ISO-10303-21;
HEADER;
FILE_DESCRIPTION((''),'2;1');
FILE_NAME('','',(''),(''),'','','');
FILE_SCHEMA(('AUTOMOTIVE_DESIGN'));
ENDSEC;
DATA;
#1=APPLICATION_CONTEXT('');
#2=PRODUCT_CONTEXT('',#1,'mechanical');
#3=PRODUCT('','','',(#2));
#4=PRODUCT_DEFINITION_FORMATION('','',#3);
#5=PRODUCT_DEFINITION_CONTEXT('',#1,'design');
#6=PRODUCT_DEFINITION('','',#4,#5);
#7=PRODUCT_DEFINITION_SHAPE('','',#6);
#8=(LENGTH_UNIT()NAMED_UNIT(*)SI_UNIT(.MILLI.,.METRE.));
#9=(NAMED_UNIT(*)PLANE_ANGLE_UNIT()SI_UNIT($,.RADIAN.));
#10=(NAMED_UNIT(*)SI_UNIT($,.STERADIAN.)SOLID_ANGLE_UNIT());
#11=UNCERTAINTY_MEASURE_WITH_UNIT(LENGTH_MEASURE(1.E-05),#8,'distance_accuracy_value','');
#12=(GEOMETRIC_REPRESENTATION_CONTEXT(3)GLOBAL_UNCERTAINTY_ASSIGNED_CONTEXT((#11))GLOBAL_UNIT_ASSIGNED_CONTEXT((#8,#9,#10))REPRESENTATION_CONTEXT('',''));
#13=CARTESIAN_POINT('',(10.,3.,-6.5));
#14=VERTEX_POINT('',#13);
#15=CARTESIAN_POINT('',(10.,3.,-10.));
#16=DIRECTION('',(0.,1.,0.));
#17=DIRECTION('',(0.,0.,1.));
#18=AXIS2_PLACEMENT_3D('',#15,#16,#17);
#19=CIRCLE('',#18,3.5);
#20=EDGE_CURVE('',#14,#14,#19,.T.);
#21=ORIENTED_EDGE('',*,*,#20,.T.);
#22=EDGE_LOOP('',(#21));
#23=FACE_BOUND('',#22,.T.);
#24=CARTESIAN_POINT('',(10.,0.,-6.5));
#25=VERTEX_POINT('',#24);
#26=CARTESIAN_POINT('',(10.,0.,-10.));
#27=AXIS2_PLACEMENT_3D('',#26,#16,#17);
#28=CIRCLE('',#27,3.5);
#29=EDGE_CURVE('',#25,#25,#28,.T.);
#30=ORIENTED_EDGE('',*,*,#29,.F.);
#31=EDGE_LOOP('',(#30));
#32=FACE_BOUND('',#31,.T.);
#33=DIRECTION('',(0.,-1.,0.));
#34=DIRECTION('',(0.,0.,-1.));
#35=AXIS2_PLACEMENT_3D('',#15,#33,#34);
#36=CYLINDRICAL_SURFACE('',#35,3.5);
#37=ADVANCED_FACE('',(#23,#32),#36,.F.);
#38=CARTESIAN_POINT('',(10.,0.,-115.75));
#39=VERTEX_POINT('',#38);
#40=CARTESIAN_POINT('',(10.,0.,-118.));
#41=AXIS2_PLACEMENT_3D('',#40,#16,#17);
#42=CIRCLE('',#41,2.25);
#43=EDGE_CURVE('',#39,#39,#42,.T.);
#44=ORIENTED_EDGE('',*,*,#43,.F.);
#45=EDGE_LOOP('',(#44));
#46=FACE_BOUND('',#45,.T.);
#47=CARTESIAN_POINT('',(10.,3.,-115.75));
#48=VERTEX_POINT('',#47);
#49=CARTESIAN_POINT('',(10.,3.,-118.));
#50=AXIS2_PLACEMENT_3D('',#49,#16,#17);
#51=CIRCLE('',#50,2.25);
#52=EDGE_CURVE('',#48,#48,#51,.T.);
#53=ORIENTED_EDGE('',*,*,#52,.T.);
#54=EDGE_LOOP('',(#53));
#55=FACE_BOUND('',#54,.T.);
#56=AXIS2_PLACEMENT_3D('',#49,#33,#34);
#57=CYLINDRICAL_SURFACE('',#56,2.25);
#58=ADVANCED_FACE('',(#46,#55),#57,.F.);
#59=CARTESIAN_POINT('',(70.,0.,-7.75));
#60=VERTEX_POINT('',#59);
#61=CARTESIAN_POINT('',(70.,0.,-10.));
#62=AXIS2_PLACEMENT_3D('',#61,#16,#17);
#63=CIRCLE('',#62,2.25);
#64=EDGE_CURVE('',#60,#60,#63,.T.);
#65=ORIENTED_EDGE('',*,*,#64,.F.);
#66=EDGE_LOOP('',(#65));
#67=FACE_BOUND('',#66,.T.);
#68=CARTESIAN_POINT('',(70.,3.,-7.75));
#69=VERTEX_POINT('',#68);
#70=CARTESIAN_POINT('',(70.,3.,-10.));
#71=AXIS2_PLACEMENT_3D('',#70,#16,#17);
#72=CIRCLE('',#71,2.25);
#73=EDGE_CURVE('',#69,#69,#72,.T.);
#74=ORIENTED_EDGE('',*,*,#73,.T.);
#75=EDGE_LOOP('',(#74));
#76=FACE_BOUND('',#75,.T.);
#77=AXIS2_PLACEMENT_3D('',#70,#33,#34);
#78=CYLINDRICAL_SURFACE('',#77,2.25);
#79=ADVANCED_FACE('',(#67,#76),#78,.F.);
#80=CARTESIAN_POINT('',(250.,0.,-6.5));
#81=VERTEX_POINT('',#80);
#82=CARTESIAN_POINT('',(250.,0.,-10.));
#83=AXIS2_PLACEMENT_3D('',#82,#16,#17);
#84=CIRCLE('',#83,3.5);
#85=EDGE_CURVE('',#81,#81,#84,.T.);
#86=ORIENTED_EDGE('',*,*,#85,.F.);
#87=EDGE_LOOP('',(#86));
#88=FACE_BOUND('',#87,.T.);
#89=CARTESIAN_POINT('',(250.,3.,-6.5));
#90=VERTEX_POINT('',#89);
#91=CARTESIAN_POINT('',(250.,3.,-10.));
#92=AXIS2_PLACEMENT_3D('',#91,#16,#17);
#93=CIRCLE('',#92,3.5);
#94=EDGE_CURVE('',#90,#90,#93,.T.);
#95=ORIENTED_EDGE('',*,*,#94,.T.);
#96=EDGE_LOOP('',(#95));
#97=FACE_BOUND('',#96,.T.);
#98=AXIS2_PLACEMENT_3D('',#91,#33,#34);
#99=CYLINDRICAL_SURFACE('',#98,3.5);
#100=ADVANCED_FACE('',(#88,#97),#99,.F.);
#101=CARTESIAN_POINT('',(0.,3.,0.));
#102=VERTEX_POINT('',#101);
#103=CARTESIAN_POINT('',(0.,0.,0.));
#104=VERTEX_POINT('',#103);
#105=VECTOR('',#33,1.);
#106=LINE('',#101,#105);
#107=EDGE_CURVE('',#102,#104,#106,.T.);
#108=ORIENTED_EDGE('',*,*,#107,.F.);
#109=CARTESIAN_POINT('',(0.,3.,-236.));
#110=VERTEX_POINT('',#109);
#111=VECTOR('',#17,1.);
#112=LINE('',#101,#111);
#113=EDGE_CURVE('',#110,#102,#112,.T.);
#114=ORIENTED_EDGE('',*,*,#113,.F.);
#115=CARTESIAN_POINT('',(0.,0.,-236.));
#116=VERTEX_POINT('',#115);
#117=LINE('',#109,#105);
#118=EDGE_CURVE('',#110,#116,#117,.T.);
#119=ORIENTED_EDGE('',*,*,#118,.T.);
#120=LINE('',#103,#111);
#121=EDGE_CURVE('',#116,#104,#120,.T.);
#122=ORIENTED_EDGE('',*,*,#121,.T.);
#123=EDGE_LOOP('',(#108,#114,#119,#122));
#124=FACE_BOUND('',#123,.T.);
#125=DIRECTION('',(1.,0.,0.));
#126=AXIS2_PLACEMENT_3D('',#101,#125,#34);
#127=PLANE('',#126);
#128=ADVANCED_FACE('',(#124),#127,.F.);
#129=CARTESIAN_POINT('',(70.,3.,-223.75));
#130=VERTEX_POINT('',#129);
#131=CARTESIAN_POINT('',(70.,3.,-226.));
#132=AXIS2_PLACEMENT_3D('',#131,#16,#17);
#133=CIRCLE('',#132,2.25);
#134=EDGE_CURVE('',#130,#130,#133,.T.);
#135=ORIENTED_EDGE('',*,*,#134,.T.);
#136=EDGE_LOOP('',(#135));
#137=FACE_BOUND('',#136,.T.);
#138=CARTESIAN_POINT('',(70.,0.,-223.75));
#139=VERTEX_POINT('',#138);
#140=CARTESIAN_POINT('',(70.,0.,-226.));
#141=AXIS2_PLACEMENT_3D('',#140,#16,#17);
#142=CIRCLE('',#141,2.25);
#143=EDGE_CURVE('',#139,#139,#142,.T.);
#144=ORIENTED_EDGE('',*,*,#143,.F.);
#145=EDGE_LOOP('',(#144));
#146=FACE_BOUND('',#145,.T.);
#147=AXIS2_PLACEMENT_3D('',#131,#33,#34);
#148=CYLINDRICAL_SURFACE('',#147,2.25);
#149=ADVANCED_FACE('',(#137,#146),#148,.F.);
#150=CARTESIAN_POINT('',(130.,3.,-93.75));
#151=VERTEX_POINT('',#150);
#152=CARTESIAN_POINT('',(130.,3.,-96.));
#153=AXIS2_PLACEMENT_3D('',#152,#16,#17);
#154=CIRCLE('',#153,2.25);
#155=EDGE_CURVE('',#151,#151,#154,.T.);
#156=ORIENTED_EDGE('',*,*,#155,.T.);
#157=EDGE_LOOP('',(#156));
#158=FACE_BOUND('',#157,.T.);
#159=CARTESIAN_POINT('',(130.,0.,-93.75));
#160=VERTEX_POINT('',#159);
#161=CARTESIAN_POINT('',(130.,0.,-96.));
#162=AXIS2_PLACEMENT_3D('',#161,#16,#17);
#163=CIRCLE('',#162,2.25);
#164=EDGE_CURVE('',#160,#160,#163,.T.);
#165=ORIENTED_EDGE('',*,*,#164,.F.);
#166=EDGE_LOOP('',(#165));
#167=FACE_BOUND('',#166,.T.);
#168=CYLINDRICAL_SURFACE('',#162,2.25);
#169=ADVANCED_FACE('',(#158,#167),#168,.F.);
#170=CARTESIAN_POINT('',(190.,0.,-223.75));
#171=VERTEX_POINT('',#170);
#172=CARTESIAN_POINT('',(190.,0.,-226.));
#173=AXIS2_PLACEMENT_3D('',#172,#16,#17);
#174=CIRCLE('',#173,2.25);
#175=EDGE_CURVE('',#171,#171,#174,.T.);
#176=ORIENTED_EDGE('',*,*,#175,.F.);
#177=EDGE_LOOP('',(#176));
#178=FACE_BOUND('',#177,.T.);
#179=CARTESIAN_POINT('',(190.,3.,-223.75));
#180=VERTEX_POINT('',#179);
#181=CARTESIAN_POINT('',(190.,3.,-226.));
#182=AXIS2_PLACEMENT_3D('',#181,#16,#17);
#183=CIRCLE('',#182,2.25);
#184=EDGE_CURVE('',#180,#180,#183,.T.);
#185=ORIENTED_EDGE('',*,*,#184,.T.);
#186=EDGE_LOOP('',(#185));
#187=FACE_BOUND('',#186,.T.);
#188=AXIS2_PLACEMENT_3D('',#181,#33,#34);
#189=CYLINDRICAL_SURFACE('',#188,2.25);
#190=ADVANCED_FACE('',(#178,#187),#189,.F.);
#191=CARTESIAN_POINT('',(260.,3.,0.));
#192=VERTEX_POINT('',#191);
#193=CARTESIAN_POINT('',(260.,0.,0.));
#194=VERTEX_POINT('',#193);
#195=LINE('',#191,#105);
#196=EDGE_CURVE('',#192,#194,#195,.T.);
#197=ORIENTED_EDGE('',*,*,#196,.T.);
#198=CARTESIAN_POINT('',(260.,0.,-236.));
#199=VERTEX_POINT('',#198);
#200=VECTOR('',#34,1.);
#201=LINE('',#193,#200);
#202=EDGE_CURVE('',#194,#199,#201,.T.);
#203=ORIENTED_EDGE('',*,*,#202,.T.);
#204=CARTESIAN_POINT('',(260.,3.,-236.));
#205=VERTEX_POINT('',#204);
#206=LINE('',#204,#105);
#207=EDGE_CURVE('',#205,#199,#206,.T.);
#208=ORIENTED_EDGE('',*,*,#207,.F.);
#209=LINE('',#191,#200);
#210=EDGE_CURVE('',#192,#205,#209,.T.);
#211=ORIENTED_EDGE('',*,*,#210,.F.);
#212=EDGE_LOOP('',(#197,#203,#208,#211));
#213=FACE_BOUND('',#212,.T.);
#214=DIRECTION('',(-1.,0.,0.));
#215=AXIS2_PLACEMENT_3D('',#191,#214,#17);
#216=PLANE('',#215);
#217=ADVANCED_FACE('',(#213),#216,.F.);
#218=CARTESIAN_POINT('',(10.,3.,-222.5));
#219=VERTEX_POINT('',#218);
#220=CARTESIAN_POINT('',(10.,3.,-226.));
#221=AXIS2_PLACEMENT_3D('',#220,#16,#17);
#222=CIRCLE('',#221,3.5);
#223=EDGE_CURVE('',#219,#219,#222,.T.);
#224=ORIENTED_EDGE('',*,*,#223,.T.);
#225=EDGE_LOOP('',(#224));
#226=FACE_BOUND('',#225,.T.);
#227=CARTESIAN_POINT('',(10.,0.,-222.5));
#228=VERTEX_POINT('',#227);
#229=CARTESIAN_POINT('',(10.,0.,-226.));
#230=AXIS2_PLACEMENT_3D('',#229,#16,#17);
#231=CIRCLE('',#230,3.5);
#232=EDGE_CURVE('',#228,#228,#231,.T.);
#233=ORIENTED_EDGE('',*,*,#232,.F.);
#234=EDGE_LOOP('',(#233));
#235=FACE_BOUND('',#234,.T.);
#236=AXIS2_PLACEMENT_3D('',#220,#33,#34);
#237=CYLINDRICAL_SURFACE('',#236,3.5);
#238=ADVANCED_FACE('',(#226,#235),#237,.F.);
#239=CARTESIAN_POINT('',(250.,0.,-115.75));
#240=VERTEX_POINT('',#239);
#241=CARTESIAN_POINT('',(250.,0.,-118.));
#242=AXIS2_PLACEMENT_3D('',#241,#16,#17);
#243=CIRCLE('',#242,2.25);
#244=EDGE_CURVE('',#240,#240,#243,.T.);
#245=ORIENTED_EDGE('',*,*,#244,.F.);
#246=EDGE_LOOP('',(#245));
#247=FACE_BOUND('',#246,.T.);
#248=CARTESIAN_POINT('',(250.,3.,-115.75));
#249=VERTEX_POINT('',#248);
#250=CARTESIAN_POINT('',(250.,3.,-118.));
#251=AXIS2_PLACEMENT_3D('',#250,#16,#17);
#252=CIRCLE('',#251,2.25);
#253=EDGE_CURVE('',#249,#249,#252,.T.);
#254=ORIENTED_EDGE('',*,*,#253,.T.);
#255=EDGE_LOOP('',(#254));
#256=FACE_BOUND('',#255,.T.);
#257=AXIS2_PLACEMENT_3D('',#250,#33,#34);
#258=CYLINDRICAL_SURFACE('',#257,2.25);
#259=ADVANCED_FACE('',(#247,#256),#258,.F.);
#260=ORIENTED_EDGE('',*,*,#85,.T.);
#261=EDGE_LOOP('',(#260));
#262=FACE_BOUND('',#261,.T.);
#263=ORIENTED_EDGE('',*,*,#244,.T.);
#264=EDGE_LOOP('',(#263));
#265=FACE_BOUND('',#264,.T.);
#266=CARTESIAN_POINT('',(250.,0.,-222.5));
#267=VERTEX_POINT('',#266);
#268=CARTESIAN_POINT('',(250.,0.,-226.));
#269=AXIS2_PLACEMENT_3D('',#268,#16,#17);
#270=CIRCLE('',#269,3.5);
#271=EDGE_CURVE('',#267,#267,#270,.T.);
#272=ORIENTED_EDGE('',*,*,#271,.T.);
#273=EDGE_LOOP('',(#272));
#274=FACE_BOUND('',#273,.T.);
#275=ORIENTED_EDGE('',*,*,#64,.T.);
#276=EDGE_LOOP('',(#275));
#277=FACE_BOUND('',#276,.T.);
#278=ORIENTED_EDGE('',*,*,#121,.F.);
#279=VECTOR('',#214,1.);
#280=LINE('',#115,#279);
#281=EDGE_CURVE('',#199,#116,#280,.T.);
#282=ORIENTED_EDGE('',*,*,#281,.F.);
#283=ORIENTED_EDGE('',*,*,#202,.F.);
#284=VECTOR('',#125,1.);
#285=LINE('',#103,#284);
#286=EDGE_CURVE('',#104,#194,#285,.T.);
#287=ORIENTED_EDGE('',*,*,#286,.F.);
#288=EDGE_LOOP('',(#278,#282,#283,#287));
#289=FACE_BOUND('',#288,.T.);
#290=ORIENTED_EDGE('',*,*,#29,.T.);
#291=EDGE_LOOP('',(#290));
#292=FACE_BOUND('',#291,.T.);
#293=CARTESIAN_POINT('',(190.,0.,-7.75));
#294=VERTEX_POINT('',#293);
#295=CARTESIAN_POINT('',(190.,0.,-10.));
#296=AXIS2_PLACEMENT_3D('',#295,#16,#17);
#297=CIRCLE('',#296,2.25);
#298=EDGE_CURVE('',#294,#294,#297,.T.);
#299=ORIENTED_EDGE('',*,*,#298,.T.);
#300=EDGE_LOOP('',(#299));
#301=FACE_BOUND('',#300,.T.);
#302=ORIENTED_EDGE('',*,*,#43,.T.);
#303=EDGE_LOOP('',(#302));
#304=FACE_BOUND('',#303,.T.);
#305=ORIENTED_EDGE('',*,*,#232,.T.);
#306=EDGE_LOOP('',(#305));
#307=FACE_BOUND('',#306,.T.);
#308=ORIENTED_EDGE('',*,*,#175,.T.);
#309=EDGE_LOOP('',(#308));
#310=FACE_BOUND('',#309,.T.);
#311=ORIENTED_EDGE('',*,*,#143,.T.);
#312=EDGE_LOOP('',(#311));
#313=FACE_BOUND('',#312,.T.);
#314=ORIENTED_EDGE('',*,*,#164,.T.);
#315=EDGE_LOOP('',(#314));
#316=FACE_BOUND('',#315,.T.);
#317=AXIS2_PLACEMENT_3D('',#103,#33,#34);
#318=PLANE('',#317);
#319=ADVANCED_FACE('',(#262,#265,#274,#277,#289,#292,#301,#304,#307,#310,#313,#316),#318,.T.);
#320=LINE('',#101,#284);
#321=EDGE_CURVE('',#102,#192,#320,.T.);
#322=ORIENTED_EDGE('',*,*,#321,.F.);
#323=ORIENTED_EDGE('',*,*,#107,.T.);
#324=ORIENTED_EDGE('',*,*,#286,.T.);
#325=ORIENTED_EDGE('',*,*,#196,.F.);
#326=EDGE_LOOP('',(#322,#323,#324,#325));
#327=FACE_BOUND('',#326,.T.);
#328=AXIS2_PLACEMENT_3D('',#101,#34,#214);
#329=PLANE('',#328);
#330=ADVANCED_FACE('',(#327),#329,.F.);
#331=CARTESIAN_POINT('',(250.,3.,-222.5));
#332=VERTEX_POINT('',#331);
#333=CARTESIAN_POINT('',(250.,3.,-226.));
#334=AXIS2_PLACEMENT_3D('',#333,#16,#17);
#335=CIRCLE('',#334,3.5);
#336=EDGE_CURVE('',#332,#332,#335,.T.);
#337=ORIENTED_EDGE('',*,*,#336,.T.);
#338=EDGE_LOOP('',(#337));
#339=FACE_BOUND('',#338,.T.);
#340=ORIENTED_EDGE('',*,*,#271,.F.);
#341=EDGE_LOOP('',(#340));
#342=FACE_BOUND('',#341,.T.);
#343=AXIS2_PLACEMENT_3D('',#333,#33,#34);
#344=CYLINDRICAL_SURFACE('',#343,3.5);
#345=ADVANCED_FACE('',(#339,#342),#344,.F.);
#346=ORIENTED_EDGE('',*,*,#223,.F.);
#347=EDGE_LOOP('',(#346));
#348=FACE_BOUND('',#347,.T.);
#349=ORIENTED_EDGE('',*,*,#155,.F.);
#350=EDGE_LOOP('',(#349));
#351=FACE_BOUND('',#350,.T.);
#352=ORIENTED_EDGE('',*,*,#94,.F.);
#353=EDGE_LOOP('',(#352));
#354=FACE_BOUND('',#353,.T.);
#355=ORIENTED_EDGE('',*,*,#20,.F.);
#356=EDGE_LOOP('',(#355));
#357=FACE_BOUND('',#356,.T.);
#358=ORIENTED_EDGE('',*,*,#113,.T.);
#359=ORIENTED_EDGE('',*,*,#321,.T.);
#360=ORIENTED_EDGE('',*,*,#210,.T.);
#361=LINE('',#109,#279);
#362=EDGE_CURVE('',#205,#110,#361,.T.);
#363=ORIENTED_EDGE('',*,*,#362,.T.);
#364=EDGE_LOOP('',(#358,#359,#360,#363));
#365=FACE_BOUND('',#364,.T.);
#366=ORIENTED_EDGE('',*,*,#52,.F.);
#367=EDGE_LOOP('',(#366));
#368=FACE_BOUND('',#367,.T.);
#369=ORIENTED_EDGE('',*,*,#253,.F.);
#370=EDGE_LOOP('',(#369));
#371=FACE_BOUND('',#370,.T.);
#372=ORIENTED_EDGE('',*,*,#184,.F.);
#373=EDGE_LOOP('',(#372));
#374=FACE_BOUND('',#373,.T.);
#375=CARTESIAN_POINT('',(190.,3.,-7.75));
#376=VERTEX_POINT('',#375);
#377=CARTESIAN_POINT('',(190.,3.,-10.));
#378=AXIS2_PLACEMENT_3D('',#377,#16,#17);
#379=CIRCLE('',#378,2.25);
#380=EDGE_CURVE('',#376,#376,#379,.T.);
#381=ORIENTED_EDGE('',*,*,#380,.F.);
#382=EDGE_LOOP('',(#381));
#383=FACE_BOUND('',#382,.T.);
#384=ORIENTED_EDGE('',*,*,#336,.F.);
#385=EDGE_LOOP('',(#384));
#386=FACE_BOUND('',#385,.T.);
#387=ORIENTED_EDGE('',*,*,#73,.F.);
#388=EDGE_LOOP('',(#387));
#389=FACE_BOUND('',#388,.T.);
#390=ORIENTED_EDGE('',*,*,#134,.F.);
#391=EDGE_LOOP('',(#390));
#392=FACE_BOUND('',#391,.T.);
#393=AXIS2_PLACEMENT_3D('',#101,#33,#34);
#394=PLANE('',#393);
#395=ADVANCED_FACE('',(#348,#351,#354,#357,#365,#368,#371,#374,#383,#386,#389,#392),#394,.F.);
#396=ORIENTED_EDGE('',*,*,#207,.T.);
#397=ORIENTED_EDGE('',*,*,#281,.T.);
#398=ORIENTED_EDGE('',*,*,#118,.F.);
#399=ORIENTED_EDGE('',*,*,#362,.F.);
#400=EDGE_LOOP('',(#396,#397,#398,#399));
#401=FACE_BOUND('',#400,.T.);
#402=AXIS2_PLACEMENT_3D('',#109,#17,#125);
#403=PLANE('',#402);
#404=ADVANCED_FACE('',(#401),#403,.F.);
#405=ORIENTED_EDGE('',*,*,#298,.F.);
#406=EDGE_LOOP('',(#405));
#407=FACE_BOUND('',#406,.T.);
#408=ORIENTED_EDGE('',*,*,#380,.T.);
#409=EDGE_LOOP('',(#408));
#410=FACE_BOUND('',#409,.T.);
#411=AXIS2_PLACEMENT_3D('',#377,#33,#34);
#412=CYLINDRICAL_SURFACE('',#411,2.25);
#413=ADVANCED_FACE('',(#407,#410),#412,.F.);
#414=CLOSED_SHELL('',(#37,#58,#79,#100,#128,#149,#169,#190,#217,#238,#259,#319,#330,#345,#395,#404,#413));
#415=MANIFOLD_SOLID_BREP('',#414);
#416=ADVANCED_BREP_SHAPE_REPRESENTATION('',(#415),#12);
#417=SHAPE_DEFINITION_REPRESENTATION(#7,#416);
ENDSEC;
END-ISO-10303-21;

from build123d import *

# Parameters (mm, degrees)
SKETCH_1_W         = 260
SKETCH_1_H         = 236
SKETCH_1_R         = 2.25
SKETCH_1_R_2       = 3.5
EXTRUDE_1_DEPTH    = 3
SKETCH1_R          = 2.25
CUT_EXTRUDE1_DEPTH = 4


with BuildPart() as part:
    # Эскиз1 → Бобышка-Вытянуть1 (new body)
    with BuildSketch(Plane(origin=(0, 0, 0), x_dir=(1, 0, 0), z_dir=(0, 1, 0))):
        with Locations((130, 118)):
            Rectangle(SKETCH_1_W, SKETCH_1_H)
        with Locations((10, 118)):
            Circle(SKETCH_1_R, mode=Mode.SUBTRACT)
        with Locations((250, 118)):
            Circle(SKETCH_1_R, mode=Mode.SUBTRACT)
        with Locations((70, 226)):
            Circle(SKETCH_1_R, mode=Mode.SUBTRACT)
        with Locations((190, 226)):
            Circle(SKETCH_1_R, mode=Mode.SUBTRACT)
        with Locations((70, 10)):
            Circle(SKETCH_1_R, mode=Mode.SUBTRACT)
        with Locations((190, 10)):
            Circle(SKETCH_1_R, mode=Mode.SUBTRACT)
        with Locations((10, 226)):
            Circle(SKETCH_1_R_2, mode=Mode.SUBTRACT)
        with Locations((250, 226)):
            Circle(SKETCH_1_R_2, mode=Mode.SUBTRACT)
        with Locations((250, 10)):
            Circle(SKETCH_1_R_2, mode=Mode.SUBTRACT)
        with Locations((10, 10)):
            Circle(SKETCH_1_R_2, mode=Mode.SUBTRACT)
    extrude(amount=EXTRUDE_1_DEPTH)

    # Sketch1 → Cut-Extrude1 (cut, through all)
    with BuildSketch(Plane(origin=(0, 3, 0), x_dir=(1, 0, 0), z_dir=(0, 1, 0))):
        with Locations((130, 96)):
            Circle(SKETCH1_R)
    extrude(amount=-CUT_EXTRUDE1_DEPTH, mode=Mode.SUBTRACT)


solid = part.part
